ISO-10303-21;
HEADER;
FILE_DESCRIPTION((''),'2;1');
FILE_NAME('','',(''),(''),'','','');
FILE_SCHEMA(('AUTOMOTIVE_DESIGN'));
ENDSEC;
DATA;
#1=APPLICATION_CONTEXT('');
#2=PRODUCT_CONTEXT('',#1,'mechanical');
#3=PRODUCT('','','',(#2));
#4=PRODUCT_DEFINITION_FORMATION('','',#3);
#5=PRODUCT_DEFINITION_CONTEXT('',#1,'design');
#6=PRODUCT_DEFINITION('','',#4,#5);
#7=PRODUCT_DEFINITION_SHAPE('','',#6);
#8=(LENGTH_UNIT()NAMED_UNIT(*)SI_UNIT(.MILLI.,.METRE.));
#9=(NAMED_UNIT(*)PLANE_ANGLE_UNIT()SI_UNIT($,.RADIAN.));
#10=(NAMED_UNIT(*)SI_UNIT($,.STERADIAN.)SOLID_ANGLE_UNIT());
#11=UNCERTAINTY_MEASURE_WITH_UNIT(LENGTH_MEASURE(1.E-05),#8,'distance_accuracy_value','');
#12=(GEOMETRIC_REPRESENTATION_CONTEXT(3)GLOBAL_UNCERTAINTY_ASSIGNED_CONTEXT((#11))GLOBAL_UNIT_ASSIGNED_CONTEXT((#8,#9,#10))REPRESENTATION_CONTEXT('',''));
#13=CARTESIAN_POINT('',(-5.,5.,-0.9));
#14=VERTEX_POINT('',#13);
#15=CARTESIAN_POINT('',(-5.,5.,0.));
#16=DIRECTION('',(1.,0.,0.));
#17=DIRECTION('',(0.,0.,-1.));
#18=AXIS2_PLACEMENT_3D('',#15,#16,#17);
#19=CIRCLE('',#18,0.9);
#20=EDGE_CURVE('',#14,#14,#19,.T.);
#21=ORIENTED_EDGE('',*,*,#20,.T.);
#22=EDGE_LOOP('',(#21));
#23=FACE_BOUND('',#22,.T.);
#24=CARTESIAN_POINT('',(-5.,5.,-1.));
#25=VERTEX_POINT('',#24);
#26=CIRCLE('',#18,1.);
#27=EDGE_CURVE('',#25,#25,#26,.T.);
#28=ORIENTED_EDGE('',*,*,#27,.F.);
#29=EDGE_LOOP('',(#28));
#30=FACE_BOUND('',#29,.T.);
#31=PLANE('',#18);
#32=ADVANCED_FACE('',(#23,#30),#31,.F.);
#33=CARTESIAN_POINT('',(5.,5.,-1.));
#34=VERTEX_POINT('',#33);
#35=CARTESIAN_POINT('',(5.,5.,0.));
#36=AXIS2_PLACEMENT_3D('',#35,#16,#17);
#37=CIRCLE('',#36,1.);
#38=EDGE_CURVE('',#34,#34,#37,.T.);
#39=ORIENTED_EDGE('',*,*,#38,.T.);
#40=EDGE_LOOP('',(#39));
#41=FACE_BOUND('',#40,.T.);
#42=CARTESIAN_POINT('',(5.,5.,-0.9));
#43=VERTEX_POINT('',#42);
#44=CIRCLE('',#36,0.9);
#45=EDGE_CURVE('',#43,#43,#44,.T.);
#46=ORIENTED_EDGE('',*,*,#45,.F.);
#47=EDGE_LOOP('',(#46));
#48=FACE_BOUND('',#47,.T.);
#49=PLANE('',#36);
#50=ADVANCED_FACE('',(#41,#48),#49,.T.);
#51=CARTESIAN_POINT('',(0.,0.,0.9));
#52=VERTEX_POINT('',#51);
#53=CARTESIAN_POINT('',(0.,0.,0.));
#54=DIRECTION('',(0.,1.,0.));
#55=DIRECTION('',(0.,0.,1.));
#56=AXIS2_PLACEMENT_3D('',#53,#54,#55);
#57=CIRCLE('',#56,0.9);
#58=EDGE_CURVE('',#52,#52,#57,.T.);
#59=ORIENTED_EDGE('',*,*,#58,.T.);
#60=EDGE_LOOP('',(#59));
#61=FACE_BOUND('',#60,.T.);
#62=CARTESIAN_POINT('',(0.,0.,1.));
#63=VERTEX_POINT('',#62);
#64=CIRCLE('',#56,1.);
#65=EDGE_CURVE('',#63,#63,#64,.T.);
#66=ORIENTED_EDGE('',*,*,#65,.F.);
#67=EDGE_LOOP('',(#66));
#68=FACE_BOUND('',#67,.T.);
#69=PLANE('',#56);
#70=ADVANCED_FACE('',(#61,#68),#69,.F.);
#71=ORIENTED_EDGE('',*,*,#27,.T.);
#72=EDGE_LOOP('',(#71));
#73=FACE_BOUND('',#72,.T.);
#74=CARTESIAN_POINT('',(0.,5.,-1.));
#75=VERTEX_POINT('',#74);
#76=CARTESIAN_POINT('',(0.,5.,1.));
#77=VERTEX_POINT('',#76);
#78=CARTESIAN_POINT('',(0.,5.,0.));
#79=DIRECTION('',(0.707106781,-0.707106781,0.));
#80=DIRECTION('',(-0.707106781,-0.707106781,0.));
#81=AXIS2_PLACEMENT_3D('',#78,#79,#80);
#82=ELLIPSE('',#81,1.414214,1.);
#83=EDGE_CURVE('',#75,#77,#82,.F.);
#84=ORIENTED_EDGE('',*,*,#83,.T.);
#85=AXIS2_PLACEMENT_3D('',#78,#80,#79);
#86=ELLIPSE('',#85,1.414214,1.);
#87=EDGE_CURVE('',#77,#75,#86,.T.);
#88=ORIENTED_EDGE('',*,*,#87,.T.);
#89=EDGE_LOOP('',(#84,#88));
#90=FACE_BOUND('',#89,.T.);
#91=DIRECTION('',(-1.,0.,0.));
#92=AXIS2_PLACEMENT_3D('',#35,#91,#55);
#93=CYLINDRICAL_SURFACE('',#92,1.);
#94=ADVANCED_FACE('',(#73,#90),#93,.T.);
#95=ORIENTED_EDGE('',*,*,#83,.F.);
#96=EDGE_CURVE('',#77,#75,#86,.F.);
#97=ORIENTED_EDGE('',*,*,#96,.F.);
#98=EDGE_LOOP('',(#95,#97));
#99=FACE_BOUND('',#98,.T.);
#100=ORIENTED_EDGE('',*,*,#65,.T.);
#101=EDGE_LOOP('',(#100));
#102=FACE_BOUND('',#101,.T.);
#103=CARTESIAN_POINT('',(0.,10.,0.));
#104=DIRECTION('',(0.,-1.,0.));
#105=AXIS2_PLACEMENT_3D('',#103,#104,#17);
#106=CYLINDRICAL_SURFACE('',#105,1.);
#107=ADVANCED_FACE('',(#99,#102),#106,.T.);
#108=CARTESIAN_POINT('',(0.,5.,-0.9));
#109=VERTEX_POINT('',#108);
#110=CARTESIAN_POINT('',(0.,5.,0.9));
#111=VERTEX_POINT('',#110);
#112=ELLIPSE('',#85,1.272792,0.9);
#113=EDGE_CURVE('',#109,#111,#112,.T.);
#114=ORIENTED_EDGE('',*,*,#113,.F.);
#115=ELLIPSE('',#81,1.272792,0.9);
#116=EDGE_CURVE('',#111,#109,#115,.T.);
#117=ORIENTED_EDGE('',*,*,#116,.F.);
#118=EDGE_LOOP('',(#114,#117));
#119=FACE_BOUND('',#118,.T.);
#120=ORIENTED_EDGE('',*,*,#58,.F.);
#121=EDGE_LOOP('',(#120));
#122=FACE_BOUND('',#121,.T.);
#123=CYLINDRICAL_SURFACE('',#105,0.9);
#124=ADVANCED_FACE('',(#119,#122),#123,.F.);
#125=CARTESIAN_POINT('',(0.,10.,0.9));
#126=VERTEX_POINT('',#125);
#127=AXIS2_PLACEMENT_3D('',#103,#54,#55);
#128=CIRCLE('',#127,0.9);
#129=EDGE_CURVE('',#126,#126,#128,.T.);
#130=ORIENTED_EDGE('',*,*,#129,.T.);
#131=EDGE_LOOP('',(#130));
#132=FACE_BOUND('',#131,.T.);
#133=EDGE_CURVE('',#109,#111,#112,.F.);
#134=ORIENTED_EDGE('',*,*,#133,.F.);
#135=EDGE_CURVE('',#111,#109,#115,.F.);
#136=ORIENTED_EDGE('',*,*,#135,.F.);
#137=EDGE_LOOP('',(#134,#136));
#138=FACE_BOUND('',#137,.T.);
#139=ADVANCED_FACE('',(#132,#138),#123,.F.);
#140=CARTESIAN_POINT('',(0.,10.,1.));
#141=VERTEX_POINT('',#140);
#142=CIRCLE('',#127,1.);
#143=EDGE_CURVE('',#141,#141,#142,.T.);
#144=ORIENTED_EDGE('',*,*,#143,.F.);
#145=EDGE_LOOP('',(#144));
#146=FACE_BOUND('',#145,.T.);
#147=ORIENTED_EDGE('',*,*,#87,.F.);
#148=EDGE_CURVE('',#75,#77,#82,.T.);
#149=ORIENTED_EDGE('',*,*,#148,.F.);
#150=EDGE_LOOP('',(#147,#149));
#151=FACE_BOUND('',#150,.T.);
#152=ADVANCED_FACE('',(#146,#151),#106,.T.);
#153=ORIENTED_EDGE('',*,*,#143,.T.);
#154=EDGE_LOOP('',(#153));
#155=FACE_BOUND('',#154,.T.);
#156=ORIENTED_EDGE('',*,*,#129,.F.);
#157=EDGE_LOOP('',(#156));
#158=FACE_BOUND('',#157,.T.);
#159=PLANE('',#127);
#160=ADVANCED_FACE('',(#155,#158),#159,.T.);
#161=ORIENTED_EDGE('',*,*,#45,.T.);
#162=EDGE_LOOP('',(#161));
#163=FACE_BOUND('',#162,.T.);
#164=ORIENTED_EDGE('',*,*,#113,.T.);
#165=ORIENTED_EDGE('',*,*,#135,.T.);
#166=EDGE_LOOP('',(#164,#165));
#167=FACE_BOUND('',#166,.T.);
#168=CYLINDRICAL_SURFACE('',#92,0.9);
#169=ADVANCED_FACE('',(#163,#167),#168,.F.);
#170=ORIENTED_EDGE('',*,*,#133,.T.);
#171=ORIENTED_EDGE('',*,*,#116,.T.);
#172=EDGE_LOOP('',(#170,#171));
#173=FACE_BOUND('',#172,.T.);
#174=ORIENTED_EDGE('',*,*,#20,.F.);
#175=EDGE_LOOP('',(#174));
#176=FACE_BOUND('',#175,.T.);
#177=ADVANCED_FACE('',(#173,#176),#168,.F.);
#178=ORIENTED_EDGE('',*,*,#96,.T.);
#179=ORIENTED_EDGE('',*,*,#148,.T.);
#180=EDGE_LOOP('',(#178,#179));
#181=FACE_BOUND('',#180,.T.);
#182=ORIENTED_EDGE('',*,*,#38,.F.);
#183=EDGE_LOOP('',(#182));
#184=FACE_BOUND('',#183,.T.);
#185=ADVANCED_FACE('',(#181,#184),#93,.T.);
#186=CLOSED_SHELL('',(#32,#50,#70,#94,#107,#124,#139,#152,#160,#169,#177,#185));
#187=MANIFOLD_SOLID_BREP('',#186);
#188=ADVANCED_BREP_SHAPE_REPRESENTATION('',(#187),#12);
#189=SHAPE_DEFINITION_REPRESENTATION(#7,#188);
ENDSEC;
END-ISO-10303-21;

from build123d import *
from build123d.topology import SkipClean

# Parameters (mm, degrees)
SKETCH1_R           = 1
SKETCH1_R_2         = 0.9
BOSS_EXTRUDE1_DEPTH = 10
SKETCH2_R           = 1
SKETCH2_R_2         = 0.9
BOSS_EXTRUDE2_DEPTH = 5
SKETCH4_R           = 0.9
CUT_EXTRUDE2_DEPTH  = 12.224972294
SKETCH5_R           = 0.9
CUT_EXTRUDE3_DEPTH  = 15.17744702


with BuildPart() as part:
    # Sketch1 → Boss-Extrude1 (new body)
    with BuildSketch(Plane(origin=(0, 0, 0), x_dir=(1, 0, 0), z_dir=(0, 1, 0))):
        with Locations(Location((0, 0, 0), (0, 0, 270))):
            Circle(SKETCH1_R)
        with Locations(Location((0, 0, 0), (0, 0, 270))):
            Circle(SKETCH1_R_2, mode=Mode.SUBTRACT)
    extrude(amount=BOSS_EXTRUDE1_DEPTH)

    # Sketch2 → Boss-Extrude2 (add, symmetric)
    with BuildSketch(Plane(origin=(0, 0, 0), x_dir=(0, 0, -1), z_dir=(1, 0, 0))):
        with Locations((0, 5)):
            Circle(SKETCH2_R)
        with Locations(Location((0, 5, 0), (0, 0, 180))):
            Circle(SKETCH2_R_2, mode=Mode.SUBTRACT)
    extrude(amount=BOSS_EXTRUDE2_DEPTH, both=True)

    # Sketch4 → Cut-Extrude2 (cut, through all)
    with BuildSketch(Plane.XZ):
        with Locations(Location((0, 0, 0), (0, 0, 90))):
            Circle(SKETCH4_R)
    extrude(amount=-CUT_EXTRUDE2_DEPTH, mode=Mode.SUBTRACT)

    # Sketch5 → Cut-Extrude3 (cut, through all)
    with SkipClean():  # the faces are left unmerged after this step: merging them gives an invalid solid
        with BuildSketch(Plane(origin=(5, 0, 0), x_dir=(0, 0, -1), z_dir=(1, 0, 0))):
            with Locations((0, 5)):
                Circle(SKETCH5_R)
        extrude(amount=-CUT_EXTRUDE3_DEPTH, mode=Mode.SUBTRACT)


solid = part.part
